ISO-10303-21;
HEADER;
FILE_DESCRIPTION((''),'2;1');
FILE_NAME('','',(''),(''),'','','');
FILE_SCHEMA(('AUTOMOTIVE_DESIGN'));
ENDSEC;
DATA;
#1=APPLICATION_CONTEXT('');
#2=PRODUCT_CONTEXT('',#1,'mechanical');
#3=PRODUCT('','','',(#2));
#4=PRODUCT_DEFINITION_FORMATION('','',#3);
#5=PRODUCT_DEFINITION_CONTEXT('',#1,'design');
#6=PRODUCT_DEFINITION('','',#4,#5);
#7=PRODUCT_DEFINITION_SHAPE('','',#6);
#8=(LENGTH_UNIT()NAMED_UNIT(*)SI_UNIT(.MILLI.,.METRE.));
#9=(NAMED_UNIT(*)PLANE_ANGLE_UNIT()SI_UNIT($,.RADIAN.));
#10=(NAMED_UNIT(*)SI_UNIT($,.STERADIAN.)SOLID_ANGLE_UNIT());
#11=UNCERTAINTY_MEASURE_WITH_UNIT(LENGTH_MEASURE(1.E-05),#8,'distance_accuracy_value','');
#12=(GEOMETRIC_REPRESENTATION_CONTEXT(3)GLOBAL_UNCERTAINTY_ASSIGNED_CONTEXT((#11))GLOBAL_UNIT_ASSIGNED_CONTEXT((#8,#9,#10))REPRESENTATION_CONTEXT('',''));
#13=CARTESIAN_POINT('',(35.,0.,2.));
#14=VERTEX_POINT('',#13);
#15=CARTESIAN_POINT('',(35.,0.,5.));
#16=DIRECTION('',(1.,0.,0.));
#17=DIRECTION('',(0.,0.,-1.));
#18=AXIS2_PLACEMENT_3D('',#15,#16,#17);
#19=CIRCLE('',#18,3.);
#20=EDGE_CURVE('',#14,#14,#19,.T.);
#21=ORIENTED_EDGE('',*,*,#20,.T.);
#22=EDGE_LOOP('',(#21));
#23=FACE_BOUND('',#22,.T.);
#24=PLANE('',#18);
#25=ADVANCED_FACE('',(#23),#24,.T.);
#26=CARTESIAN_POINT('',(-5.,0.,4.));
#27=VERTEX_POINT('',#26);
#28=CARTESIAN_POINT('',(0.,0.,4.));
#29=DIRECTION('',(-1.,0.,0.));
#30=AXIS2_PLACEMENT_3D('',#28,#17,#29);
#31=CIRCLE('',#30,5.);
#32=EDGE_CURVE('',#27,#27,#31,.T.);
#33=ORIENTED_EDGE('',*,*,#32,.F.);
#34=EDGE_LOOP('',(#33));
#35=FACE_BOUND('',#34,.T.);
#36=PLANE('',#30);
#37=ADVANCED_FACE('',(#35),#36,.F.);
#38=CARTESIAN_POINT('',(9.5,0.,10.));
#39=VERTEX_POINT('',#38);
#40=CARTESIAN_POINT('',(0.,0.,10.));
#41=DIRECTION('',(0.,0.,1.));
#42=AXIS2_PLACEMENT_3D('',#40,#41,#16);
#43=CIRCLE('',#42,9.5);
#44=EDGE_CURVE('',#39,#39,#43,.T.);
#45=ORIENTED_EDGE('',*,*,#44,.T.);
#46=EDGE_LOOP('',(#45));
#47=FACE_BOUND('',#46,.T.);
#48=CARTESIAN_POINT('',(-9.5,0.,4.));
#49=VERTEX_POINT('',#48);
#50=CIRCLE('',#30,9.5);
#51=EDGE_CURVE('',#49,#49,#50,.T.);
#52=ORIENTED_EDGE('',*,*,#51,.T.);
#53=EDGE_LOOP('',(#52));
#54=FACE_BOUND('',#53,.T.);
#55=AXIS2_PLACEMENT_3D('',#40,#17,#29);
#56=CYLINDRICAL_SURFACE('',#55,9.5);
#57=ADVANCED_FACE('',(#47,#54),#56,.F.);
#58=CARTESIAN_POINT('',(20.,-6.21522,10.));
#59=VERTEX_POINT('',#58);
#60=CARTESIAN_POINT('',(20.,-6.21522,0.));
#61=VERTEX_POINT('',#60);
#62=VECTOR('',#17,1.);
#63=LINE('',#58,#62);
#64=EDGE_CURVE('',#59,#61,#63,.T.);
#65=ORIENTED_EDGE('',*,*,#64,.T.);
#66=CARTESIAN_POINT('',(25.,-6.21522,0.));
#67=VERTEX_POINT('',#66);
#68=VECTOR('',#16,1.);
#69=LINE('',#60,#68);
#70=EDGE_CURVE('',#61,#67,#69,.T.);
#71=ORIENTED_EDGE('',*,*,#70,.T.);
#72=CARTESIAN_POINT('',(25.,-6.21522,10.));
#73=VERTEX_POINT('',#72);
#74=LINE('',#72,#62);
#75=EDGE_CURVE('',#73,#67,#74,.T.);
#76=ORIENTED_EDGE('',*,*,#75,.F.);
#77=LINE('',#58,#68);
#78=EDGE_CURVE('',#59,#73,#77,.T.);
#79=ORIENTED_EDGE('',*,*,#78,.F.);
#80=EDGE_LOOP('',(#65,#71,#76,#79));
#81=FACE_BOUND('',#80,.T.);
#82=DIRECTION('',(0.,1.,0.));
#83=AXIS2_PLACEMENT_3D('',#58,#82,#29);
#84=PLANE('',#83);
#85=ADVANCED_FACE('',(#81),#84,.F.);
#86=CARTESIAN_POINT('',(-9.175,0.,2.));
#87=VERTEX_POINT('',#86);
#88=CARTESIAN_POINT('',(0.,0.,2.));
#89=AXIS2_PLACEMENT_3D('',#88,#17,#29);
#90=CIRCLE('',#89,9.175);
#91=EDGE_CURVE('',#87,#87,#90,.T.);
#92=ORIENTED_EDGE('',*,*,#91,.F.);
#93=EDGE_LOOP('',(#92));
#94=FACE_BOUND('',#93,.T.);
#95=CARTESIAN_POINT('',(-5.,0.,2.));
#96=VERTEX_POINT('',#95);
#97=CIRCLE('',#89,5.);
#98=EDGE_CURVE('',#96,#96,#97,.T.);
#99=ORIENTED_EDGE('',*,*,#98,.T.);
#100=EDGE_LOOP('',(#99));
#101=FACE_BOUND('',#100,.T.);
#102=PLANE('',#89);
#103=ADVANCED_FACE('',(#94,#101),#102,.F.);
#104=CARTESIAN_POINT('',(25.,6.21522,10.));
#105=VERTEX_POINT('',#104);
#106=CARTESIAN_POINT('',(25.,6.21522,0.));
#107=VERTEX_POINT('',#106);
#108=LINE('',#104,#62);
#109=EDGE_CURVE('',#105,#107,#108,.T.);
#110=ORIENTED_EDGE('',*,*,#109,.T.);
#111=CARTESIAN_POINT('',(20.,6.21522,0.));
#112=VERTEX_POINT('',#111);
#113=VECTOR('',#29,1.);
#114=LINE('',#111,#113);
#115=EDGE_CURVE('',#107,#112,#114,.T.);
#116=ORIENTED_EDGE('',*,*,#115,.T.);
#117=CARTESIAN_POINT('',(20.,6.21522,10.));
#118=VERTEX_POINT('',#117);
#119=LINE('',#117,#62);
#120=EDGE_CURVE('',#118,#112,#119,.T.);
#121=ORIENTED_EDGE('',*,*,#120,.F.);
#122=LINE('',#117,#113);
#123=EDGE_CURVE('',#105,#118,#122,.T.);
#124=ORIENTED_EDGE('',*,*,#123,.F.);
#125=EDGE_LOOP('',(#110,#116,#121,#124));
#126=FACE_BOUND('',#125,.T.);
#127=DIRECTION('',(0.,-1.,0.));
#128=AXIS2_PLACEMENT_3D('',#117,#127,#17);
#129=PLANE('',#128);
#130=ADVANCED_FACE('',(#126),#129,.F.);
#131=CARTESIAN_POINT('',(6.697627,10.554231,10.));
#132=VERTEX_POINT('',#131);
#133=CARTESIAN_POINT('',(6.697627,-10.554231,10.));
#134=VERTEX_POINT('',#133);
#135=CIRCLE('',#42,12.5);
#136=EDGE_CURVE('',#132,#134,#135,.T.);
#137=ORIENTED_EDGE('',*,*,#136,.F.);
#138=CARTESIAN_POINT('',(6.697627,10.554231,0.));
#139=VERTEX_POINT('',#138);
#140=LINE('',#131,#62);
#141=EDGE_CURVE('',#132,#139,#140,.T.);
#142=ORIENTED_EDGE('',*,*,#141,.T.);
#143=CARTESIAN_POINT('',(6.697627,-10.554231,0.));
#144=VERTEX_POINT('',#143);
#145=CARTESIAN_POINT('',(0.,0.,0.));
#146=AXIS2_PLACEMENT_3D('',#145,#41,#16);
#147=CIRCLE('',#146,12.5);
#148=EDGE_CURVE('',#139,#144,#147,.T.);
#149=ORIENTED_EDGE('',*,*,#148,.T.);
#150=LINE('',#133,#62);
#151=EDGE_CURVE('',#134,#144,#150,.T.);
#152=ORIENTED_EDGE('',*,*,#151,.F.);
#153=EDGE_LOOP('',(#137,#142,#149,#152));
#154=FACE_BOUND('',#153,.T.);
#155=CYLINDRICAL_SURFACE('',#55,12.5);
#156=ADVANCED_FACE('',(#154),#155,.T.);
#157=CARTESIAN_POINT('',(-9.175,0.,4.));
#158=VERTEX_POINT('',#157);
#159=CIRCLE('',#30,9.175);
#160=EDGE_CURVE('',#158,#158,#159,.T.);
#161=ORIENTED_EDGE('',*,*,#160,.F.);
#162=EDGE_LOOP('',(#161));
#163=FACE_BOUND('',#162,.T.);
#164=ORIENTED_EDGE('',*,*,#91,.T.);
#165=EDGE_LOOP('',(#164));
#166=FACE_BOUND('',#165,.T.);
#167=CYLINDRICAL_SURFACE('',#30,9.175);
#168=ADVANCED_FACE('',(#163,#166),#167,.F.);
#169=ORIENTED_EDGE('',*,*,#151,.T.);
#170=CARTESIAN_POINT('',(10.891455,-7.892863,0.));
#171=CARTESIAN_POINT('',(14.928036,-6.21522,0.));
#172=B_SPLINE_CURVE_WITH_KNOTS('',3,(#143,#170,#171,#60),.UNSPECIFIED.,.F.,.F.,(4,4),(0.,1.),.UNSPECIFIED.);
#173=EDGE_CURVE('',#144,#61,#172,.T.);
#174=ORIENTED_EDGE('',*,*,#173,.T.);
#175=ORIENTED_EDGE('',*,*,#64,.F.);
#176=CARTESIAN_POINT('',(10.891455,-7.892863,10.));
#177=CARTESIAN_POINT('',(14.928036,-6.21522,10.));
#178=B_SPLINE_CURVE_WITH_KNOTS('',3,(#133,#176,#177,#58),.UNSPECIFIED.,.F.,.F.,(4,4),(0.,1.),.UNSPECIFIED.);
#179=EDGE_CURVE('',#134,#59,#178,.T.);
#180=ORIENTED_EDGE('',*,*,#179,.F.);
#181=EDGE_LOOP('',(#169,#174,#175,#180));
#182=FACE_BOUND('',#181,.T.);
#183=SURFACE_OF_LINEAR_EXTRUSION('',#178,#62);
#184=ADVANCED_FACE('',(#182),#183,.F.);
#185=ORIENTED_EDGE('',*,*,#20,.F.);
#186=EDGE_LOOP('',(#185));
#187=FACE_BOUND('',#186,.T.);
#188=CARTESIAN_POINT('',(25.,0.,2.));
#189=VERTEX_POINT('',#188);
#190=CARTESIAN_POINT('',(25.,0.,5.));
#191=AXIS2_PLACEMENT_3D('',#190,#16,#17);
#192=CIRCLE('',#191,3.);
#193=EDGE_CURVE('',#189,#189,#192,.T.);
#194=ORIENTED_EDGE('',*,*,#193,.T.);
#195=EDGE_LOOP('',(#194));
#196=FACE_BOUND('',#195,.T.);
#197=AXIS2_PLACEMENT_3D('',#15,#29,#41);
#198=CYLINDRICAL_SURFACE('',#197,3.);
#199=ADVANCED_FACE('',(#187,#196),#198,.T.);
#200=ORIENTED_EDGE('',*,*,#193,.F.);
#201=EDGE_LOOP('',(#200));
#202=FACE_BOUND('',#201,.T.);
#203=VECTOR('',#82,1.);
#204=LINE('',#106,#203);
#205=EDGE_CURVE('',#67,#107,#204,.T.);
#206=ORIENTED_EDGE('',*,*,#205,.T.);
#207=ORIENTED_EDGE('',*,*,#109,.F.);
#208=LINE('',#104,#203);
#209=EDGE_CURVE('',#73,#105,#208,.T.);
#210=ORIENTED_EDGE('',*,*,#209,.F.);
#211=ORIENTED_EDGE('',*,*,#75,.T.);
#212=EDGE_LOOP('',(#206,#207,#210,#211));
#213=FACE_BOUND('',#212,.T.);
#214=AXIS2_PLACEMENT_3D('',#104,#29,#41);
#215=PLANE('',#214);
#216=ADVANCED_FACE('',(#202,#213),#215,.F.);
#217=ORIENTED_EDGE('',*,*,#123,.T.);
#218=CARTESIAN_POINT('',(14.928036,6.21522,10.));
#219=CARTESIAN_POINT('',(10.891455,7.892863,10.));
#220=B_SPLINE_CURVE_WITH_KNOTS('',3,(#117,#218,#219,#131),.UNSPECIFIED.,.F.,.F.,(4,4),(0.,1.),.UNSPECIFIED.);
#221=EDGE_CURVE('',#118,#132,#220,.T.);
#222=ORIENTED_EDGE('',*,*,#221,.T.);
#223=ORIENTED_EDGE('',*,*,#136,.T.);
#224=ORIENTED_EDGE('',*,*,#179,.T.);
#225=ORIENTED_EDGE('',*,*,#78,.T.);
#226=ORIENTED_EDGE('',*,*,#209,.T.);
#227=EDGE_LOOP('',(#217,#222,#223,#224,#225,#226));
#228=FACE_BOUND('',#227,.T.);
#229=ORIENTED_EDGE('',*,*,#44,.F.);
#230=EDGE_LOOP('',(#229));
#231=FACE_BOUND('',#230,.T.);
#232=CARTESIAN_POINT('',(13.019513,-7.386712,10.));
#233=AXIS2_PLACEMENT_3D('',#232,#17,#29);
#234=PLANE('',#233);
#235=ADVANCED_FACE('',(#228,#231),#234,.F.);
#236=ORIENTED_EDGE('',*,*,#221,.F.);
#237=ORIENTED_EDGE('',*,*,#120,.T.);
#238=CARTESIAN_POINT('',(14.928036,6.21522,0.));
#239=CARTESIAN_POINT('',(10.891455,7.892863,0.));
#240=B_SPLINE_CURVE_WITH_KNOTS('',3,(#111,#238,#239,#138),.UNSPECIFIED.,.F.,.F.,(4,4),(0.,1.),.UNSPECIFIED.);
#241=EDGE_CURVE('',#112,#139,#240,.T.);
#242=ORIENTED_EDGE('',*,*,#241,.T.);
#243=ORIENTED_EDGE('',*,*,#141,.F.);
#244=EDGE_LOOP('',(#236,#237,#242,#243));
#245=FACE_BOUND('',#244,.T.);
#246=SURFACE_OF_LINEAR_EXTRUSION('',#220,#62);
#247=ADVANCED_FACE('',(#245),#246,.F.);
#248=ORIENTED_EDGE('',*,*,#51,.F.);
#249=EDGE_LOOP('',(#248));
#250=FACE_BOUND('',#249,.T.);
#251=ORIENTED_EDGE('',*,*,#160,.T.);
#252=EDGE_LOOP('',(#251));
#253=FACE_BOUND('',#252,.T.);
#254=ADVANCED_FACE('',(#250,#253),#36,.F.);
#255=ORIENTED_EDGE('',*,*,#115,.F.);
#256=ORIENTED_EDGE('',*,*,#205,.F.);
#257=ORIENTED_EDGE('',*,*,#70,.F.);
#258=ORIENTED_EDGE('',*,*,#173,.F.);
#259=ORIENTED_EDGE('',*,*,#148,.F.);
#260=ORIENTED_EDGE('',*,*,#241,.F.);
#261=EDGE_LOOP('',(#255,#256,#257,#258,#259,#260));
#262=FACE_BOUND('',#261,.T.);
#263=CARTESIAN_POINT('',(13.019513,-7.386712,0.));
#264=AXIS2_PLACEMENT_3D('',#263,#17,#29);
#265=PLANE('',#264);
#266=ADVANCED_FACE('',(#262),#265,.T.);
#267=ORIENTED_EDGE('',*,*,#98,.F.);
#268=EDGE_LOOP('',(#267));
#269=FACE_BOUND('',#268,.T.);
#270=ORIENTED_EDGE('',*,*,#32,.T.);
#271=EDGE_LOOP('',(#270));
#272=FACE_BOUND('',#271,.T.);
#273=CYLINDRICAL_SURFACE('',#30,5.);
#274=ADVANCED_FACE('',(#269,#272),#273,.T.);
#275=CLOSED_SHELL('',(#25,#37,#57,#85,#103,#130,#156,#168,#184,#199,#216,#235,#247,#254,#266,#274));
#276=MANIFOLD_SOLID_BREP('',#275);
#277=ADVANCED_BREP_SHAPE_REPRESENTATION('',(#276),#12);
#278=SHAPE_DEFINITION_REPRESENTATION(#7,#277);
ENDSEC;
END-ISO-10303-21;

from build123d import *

# Parameters (mm, degrees)
SKETCH1_R           = 9.5
BOSS_EXTRUDE1_DEPTH = 10
SKETCH2_R           = 12.5
BOSS_EXTRUDE2_DEPTH = 2
SKETCH3_R           = 5
BOSS_EXTRUDE3_DEPTH = 4
SKETCH4_R           = 12.5
SKETCH4_R_2         = 9.175
BOSS_EXTRUDE5_DEPTH = 4
SKETCH5_R           = 3
BOSS_EXTRUDE6_DEPTH = 10


with BuildPart() as part:
    # Sketch1 → Boss-Extrude1 (new body)
    with BuildSketch(Plane.XY):
        with BuildLine():
            Line((20, 6.21521961), (25, 6.21521961))
            Line((25, 6.21521961), (25, -6.21521961))
            Line((25, -6.21521961), (20, -6.21521961))
            add(Edge.make_bspline(
                [(20, -6.21521961), (14.928036397, -6.21521961), (10.891454701, -7.892862666), (6.69762749, -10.554230716)],
                knots=[0, 0, 0, 0, 1, 1, 1, 1], degree=3))
            ThreePointArc((6.69762749, -10.554230716), (-12.5, 0), (6.69762749, 10.554230716))
            add(Edge.make_bspline(
                [(20, 6.21521961), (14.928036397, 6.21521961), (10.891454701, 7.892862666), (6.69762749, 10.554230716)],
                knots=[0, 0, 0, 0, 1, 1, 1, 1], degree=3))
        make_face()
        Circle(SKETCH1_R, mode=Mode.SUBTRACT)
    extrude(amount=BOSS_EXTRUDE1_DEPTH)

    # Sketch2 → Boss-Extrude2 (add)
    with BuildSketch(Plane(origin=(0, 0, 0), x_dir=(-1, 0, 0), z_dir=(0, 0, -1))):
        Circle(SKETCH2_R)
    extrude(amount=-BOSS_EXTRUDE2_DEPTH)

    # Sketch3 → Boss-Extrude3 (add)
    with BuildSketch(Plane(origin=(0, 0, 0), x_dir=(-1, 0, 0), z_dir=(0, 0, -1))):
        Circle(SKETCH3_R)
    extrude(amount=-BOSS_EXTRUDE3_DEPTH)

    # Sketch4 → Boss-Extrude5 (add)
    with BuildSketch(Plane(origin=(0, 0, 0), x_dir=(-1, 0, 0), z_dir=(0, 0, -1))):
        Circle(SKETCH4_R)
        Circle(SKETCH4_R_2, mode=Mode.SUBTRACT)
    extrude(amount=-BOSS_EXTRUDE5_DEPTH)

    # Sketch5 → Boss-Extrude6 (add)
    with BuildSketch(Plane(origin=(25, 0, 0), x_dir=(0, 0, -1), z_dir=(1, 0, 0))):
        with Locations((-5, 0)):
            Circle(SKETCH5_R)
    extrude(amount=BOSS_EXTRUDE6_DEPTH)


solid = part.part
